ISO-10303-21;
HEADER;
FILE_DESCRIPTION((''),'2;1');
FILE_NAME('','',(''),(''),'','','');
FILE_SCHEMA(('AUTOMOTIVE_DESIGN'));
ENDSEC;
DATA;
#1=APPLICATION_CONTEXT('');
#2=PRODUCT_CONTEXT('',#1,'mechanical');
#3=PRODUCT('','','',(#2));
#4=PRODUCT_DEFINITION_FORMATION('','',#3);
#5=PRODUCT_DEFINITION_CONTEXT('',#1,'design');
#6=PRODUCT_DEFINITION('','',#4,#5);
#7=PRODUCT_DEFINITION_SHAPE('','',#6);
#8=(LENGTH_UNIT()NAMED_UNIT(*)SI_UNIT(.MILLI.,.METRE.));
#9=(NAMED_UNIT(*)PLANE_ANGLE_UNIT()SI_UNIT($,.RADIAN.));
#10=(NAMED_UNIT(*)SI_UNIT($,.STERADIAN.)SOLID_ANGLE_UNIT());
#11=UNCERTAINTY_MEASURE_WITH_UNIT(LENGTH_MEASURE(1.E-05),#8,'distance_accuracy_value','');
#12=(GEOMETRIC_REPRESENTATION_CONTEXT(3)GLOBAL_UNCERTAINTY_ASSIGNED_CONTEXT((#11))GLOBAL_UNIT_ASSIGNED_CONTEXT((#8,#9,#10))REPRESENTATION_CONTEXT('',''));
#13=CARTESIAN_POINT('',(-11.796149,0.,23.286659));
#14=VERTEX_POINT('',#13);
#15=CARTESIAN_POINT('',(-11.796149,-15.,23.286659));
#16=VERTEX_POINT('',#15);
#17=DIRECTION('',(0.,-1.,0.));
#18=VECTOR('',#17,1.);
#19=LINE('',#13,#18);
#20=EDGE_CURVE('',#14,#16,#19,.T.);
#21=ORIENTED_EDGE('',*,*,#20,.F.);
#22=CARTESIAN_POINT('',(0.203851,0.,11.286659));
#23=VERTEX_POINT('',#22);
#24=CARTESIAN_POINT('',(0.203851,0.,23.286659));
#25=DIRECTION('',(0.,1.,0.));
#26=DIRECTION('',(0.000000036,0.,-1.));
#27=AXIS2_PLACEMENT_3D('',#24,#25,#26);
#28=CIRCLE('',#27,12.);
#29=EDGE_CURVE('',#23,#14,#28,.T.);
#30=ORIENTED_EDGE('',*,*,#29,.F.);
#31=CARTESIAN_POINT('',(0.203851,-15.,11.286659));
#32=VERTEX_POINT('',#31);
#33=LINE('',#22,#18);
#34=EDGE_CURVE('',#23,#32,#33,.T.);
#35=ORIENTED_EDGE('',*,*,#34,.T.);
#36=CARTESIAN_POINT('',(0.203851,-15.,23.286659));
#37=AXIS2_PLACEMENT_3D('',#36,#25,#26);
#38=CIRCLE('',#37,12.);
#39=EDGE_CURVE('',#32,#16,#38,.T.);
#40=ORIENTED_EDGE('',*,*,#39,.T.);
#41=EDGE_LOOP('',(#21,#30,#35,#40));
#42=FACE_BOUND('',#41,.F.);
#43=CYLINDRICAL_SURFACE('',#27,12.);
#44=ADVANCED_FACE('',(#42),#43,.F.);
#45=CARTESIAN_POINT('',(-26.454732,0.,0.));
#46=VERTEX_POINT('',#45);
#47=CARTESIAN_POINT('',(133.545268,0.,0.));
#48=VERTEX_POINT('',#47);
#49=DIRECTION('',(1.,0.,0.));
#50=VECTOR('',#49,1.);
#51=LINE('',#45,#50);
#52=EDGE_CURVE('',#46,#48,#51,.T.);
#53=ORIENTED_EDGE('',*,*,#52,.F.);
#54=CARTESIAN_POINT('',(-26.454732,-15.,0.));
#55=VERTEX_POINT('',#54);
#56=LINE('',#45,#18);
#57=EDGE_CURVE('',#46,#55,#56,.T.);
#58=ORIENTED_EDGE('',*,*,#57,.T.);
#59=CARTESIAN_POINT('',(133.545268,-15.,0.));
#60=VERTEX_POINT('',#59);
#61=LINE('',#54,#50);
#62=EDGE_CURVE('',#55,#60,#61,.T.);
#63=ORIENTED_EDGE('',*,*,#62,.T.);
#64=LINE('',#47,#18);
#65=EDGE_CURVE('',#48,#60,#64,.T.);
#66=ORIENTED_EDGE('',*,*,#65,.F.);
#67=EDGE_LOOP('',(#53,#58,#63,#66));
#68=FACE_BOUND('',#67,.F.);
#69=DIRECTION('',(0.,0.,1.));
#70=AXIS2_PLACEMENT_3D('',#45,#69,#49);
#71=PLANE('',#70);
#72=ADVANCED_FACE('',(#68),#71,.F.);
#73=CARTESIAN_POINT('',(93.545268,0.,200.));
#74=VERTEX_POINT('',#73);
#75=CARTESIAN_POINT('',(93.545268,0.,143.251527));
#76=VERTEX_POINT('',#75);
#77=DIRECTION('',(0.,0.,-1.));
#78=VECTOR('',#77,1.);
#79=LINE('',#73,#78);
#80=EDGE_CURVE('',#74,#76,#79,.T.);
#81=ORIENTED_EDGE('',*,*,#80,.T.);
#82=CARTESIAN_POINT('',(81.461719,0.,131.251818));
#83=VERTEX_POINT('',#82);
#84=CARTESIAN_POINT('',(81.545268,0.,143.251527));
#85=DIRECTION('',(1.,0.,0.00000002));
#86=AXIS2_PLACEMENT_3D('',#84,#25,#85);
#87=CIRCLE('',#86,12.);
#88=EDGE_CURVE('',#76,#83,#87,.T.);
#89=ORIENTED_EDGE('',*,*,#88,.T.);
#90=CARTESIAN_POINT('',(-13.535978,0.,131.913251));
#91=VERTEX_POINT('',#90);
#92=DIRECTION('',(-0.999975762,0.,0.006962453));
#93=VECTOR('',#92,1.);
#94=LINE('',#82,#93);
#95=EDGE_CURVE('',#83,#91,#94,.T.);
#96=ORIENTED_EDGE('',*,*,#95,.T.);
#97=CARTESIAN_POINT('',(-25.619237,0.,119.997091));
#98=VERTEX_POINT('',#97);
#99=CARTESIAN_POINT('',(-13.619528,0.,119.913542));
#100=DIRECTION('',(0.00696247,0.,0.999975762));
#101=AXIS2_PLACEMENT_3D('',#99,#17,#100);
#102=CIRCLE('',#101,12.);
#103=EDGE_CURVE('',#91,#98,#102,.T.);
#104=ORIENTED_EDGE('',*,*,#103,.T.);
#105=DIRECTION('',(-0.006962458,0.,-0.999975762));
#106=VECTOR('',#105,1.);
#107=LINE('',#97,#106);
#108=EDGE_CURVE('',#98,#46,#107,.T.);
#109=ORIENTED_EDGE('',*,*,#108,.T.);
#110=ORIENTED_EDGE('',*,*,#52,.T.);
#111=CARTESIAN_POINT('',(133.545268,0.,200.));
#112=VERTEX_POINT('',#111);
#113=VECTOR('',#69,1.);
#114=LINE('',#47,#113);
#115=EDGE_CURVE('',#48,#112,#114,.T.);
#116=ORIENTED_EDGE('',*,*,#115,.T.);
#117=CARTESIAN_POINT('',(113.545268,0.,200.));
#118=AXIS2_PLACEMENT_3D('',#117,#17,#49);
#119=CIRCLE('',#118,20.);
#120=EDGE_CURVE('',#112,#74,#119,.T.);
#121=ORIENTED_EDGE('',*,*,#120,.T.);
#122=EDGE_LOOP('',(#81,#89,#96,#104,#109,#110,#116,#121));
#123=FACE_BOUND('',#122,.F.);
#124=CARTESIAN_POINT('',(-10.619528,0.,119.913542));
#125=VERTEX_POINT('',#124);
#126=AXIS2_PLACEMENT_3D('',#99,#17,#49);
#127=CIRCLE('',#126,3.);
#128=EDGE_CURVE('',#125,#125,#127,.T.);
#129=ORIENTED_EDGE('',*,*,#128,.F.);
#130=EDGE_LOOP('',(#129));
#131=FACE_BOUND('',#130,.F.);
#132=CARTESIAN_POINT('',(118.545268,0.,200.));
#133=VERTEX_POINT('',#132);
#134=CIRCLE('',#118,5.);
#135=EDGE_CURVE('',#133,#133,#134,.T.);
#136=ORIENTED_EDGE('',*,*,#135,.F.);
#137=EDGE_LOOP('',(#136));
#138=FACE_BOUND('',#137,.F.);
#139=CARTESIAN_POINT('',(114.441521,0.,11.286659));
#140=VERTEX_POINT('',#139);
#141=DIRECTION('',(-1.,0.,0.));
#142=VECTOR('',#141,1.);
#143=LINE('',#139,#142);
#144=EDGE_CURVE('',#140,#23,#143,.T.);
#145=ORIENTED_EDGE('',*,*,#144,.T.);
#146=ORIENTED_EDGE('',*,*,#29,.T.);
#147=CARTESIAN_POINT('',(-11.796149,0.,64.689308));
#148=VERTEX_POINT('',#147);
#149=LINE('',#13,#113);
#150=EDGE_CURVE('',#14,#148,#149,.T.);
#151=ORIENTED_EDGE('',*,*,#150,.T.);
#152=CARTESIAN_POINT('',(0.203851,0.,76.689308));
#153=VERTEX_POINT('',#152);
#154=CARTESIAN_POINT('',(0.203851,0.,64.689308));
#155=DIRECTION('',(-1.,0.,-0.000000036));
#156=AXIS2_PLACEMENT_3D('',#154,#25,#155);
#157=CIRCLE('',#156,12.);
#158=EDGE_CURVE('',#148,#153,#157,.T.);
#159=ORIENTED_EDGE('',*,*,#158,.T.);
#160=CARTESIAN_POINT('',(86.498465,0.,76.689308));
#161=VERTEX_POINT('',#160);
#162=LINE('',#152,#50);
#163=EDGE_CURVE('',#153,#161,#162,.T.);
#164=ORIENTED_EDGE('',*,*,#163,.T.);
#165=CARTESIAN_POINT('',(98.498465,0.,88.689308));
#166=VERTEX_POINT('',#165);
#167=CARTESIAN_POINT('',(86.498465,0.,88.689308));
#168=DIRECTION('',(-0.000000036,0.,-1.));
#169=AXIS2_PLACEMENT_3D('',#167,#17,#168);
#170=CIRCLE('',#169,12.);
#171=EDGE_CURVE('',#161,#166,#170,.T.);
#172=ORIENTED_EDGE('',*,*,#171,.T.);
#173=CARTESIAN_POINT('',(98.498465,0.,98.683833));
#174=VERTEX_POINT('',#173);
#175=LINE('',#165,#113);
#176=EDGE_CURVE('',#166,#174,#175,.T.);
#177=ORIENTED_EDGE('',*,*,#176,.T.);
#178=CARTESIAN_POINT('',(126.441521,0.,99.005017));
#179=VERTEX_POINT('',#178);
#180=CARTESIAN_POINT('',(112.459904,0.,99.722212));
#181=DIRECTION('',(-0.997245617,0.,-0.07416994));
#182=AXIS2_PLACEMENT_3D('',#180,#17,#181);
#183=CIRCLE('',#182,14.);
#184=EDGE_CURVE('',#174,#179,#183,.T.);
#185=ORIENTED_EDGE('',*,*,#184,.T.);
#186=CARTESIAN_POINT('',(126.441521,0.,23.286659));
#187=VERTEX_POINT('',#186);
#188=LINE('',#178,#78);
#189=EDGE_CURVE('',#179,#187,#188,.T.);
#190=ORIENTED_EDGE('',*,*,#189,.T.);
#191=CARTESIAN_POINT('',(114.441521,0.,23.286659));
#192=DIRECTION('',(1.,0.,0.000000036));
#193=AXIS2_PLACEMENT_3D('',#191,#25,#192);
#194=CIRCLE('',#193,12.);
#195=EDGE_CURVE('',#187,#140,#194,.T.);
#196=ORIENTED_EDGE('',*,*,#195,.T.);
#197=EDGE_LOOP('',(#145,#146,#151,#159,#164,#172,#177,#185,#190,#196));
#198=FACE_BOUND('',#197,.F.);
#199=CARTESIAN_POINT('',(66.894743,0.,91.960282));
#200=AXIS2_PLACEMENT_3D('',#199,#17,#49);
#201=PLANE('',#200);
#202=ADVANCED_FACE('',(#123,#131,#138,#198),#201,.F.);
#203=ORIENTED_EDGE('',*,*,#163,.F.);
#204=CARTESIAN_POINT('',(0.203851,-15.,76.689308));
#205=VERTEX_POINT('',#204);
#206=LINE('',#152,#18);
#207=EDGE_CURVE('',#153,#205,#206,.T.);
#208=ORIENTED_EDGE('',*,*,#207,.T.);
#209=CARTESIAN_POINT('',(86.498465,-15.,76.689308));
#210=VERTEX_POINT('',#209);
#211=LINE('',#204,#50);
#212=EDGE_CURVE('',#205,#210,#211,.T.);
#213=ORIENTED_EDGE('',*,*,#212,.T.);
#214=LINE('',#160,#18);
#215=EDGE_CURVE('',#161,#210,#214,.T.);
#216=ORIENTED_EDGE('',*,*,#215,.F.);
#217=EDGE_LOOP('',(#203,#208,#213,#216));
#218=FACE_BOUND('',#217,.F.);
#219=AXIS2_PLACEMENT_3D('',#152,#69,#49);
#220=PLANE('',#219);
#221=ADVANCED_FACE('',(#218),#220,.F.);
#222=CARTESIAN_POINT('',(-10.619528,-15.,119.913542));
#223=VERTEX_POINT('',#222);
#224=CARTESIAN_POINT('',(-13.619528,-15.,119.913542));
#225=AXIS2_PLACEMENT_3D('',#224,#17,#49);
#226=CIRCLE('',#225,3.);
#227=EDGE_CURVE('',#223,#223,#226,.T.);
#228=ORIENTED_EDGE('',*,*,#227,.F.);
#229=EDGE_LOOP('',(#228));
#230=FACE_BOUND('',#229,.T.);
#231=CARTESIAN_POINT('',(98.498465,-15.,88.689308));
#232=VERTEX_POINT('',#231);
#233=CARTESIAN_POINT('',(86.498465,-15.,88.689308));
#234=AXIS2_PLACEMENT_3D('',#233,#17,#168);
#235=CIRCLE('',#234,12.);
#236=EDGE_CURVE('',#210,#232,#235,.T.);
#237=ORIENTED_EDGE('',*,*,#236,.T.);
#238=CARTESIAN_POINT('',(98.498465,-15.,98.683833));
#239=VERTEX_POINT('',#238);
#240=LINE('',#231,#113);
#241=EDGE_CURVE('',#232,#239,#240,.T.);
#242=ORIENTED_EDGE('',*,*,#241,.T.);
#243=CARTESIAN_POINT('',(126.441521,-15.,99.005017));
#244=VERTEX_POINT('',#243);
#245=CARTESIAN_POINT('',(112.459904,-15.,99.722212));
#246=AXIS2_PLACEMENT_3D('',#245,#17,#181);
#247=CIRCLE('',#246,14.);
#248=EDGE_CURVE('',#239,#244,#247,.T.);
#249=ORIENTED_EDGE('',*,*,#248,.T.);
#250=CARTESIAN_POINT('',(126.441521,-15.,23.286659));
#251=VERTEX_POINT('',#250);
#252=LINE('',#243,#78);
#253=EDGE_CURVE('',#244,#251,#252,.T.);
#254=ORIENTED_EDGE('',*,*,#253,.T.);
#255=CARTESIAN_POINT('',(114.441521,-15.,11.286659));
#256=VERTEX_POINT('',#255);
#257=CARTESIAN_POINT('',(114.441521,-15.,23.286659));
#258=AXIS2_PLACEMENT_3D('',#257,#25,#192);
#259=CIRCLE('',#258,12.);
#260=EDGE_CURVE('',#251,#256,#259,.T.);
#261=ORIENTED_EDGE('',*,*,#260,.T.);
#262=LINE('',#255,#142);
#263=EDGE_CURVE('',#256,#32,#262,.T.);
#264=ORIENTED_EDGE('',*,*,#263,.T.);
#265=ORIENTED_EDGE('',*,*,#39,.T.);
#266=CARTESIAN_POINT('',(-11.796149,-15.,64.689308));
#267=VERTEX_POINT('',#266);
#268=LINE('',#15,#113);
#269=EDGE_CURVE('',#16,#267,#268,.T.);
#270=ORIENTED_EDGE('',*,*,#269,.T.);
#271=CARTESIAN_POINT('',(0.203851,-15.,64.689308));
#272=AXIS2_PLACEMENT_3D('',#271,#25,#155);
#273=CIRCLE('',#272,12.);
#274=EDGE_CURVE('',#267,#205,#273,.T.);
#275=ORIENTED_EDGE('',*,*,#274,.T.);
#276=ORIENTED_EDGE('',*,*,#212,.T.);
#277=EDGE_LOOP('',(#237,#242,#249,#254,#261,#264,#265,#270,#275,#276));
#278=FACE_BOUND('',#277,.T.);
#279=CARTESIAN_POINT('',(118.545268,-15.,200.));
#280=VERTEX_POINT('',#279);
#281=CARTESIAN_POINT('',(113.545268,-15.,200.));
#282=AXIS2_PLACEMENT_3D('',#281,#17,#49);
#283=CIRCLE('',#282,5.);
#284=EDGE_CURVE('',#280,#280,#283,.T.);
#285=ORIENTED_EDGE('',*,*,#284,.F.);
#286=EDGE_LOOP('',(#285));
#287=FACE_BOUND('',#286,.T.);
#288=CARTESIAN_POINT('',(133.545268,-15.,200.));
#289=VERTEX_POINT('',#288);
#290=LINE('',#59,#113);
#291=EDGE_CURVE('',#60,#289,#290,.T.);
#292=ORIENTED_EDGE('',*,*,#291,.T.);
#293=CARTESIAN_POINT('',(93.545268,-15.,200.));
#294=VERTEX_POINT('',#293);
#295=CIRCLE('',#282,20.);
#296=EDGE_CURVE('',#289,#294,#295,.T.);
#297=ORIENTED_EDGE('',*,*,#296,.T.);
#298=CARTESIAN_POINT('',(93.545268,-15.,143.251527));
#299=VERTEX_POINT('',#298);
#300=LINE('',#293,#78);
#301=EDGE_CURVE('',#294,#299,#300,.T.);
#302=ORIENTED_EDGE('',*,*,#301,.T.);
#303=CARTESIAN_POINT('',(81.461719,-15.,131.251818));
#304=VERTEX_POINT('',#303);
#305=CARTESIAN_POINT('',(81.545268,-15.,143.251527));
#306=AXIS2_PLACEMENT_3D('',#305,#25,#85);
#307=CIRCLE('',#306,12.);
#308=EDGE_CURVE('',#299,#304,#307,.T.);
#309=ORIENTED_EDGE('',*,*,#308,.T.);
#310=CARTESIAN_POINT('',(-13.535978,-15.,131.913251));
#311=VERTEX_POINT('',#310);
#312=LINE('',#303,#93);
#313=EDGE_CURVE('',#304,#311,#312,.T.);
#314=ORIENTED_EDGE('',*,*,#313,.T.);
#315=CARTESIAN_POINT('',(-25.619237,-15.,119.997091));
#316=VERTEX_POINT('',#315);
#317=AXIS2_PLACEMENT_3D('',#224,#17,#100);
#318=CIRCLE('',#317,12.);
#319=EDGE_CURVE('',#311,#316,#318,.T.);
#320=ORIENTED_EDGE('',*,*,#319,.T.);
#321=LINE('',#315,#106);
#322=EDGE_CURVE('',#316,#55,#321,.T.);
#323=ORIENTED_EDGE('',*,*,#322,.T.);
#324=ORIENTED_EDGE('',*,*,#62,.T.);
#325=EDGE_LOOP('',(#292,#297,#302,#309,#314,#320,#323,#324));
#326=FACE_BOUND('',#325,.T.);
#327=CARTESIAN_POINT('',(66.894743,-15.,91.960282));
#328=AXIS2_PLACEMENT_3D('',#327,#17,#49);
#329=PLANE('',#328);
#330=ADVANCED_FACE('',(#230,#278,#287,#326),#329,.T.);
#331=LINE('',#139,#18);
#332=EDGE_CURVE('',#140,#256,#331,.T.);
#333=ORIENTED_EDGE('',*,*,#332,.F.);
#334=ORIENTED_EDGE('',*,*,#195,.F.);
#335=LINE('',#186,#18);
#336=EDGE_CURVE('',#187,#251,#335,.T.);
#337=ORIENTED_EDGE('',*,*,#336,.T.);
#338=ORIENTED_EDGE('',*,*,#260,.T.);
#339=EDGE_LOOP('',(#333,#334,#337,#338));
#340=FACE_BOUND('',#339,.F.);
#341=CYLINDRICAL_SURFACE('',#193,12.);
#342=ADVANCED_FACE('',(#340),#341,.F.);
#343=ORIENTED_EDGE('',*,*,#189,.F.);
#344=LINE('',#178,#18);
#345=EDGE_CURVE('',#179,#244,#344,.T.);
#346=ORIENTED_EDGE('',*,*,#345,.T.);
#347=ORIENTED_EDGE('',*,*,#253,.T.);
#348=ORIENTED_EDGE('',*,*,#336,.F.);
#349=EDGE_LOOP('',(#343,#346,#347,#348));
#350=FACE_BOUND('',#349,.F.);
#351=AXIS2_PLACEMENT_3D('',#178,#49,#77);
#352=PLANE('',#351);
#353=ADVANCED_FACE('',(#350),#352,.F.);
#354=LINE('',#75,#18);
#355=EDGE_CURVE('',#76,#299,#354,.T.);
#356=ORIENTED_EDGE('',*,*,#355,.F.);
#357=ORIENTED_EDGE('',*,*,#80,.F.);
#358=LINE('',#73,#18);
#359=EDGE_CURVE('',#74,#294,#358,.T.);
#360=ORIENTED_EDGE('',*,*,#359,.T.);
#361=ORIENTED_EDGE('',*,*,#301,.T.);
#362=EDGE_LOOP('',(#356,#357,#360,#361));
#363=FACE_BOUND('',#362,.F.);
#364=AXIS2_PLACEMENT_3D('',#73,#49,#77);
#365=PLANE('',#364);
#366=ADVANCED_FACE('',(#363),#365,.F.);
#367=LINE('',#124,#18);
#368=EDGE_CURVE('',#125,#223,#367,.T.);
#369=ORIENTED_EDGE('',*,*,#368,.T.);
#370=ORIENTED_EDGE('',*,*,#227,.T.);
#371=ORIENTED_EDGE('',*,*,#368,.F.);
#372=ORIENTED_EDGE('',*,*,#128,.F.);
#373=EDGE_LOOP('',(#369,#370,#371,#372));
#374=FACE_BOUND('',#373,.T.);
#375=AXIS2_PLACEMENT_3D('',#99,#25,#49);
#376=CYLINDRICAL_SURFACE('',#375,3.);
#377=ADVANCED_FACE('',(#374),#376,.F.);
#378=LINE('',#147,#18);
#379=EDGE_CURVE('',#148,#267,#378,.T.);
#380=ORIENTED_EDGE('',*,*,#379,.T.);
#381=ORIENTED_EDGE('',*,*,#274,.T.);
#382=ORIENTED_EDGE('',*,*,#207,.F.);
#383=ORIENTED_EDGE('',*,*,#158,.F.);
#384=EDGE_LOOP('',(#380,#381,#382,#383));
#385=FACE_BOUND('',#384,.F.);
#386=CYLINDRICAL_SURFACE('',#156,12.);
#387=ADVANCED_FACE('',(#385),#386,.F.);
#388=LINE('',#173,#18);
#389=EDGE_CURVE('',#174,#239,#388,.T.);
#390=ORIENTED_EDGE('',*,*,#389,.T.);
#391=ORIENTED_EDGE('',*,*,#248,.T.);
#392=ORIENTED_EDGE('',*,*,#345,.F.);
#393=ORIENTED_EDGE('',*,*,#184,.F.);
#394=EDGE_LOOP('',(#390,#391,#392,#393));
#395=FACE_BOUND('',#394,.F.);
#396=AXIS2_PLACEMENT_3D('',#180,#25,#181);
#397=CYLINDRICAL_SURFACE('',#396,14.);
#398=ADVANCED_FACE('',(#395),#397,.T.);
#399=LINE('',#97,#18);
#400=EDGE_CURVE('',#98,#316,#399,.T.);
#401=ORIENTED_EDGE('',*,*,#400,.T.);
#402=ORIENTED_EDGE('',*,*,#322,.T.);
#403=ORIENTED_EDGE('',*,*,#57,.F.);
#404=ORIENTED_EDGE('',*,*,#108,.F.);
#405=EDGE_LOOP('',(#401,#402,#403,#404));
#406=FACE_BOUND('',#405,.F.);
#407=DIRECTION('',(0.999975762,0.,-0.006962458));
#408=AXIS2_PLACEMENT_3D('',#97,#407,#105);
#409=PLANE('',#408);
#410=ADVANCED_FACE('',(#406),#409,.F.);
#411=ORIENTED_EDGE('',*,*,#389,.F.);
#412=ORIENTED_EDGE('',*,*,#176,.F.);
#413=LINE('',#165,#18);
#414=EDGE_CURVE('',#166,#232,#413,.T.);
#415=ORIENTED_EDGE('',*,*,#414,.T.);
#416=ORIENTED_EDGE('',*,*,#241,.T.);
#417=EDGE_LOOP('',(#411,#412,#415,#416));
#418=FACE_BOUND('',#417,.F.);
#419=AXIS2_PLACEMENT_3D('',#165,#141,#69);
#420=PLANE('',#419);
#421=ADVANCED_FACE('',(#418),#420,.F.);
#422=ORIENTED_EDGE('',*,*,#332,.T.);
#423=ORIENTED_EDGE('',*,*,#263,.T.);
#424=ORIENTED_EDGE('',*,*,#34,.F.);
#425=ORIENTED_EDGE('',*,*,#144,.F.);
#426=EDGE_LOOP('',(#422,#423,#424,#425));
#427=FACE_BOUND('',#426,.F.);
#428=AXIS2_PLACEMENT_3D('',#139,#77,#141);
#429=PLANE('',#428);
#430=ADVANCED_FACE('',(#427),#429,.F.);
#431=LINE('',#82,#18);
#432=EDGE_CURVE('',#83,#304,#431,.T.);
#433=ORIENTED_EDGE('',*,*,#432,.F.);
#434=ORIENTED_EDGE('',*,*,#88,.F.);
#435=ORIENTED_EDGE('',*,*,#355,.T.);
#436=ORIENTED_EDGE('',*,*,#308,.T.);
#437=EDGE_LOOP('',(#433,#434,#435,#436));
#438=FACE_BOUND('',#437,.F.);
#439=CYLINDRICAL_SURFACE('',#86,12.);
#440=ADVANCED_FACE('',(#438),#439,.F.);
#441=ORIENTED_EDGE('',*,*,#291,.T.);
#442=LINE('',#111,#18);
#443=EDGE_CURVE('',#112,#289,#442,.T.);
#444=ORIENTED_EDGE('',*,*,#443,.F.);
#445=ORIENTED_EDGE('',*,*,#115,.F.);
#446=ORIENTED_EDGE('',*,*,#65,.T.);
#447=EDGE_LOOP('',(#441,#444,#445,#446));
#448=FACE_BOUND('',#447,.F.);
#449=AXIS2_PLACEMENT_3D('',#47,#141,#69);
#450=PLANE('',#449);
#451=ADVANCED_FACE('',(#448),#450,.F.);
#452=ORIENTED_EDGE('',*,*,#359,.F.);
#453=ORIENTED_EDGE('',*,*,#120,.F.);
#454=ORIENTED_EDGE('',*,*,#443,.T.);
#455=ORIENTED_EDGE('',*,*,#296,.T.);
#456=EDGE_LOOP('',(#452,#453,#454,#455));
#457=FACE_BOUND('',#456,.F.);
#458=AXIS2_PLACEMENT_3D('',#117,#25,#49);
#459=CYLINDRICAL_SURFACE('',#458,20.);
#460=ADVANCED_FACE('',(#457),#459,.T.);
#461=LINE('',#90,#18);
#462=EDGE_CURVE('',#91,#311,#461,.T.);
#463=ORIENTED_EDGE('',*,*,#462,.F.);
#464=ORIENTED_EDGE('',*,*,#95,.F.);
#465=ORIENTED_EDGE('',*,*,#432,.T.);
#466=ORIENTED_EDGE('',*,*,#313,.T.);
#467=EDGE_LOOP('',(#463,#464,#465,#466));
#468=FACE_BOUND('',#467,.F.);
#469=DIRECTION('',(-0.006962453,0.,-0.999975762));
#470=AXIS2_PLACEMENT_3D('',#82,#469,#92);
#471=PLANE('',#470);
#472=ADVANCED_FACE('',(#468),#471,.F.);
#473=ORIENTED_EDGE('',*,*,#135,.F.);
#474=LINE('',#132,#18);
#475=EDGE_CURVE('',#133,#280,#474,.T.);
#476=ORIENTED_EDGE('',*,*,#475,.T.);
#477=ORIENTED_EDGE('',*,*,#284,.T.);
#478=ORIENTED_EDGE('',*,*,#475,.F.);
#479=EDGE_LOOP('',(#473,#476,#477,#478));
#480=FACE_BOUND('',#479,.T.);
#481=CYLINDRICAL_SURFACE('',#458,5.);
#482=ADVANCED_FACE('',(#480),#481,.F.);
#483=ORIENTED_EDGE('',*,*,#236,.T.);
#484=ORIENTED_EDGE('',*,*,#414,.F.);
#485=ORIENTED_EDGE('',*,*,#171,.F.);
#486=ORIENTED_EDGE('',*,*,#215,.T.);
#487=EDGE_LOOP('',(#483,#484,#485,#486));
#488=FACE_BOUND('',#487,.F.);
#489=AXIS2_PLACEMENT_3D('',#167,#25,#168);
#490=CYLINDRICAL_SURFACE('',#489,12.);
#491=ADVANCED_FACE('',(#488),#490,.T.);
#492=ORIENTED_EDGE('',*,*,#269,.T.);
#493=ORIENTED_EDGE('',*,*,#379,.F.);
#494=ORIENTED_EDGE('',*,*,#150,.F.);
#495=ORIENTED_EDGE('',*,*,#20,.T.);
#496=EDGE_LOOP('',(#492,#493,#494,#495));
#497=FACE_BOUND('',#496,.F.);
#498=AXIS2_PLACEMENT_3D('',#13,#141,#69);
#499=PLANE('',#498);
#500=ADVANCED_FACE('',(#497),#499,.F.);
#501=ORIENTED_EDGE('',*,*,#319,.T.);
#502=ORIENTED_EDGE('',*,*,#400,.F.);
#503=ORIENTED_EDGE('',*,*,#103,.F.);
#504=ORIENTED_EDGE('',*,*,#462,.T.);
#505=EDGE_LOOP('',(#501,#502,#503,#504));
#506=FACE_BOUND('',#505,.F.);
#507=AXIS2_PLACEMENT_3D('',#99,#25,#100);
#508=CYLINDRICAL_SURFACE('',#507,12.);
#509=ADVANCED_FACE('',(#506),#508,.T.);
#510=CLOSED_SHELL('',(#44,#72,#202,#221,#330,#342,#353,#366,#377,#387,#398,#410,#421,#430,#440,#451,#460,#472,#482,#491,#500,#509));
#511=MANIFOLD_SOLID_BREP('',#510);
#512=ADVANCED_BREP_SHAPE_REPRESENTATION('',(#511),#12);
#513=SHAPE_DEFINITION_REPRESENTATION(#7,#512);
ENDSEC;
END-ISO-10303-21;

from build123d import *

# Parameters (mm, degrees)
F0_R     = 3
F0_R_2   = 5
F1_DEPTH = 15


with BuildPart() as f1:
    # F0 (on Front) → F1 (new body)
    with BuildSketch(Plane.XZ):
        with BuildLine():
            Line((-25.619237, 119.997091), (-26.454732, 0))
            Line((-26.454732, 0), (133.545268, 0))
            Line((133.545268, 0), (133.545268, 200))
            ThreePointArc((133.545268, 200), (113.545268, 220), (93.545268, 200))
            Line((93.545268, 200), (93.545268, 143.251527))
            ThreePointArc((93.545268, 143.251527), (90.000959, 134.736758), (81.461719, 131.251818))
            Line((81.461719, 131.251818), (-13.535978, 131.913251))
            ThreePointArc((-13.535978, 131.913251), (-22.045525, 128.457696), (-25.619237, 119.997091))
        make_face()
        with BuildLine():
            Line((98.498465, 88.689308), (98.498465, 98.683833))
            ThreePointArc((98.498465, 98.683833), (112.620812, 85.723137), (126.441521, 99.005017))
            Line((126.441521, 99.005017), (126.441521, 23.286659))
            ThreePointArc((126.441521, 23.286659), (122.926803, 14.801378), (114.441521, 11.286659))
            Line((114.441521, 11.286659), (0.203851, 11.286659))
            ThreePointArc((0.203851, 11.286659), (-8.281431, 14.801378), (-11.796149, 23.286659))
            Line((-11.796149, 23.286659), (-11.796149, 64.689308))
            ThreePointArc((-11.796149, 64.689308), (-8.281431, 73.174589), (0.203851, 76.689308))
            Line((0.203851, 76.689308), (86.498465, 76.689308))
            ThreePointArc((86.498465, 76.689308), (94.983746, 80.204026), (98.498465, 88.689308))
        make_face(mode=Mode.SUBTRACT)
        with Locations((-13.619528, 119.913542)):
            Circle(F0_R, mode=Mode.SUBTRACT)
        with Locations((113.545268, 200)):
            Circle(F0_R_2, mode=Mode.SUBTRACT)
    extrude(amount=F1_DEPTH)


solid = f1.part
